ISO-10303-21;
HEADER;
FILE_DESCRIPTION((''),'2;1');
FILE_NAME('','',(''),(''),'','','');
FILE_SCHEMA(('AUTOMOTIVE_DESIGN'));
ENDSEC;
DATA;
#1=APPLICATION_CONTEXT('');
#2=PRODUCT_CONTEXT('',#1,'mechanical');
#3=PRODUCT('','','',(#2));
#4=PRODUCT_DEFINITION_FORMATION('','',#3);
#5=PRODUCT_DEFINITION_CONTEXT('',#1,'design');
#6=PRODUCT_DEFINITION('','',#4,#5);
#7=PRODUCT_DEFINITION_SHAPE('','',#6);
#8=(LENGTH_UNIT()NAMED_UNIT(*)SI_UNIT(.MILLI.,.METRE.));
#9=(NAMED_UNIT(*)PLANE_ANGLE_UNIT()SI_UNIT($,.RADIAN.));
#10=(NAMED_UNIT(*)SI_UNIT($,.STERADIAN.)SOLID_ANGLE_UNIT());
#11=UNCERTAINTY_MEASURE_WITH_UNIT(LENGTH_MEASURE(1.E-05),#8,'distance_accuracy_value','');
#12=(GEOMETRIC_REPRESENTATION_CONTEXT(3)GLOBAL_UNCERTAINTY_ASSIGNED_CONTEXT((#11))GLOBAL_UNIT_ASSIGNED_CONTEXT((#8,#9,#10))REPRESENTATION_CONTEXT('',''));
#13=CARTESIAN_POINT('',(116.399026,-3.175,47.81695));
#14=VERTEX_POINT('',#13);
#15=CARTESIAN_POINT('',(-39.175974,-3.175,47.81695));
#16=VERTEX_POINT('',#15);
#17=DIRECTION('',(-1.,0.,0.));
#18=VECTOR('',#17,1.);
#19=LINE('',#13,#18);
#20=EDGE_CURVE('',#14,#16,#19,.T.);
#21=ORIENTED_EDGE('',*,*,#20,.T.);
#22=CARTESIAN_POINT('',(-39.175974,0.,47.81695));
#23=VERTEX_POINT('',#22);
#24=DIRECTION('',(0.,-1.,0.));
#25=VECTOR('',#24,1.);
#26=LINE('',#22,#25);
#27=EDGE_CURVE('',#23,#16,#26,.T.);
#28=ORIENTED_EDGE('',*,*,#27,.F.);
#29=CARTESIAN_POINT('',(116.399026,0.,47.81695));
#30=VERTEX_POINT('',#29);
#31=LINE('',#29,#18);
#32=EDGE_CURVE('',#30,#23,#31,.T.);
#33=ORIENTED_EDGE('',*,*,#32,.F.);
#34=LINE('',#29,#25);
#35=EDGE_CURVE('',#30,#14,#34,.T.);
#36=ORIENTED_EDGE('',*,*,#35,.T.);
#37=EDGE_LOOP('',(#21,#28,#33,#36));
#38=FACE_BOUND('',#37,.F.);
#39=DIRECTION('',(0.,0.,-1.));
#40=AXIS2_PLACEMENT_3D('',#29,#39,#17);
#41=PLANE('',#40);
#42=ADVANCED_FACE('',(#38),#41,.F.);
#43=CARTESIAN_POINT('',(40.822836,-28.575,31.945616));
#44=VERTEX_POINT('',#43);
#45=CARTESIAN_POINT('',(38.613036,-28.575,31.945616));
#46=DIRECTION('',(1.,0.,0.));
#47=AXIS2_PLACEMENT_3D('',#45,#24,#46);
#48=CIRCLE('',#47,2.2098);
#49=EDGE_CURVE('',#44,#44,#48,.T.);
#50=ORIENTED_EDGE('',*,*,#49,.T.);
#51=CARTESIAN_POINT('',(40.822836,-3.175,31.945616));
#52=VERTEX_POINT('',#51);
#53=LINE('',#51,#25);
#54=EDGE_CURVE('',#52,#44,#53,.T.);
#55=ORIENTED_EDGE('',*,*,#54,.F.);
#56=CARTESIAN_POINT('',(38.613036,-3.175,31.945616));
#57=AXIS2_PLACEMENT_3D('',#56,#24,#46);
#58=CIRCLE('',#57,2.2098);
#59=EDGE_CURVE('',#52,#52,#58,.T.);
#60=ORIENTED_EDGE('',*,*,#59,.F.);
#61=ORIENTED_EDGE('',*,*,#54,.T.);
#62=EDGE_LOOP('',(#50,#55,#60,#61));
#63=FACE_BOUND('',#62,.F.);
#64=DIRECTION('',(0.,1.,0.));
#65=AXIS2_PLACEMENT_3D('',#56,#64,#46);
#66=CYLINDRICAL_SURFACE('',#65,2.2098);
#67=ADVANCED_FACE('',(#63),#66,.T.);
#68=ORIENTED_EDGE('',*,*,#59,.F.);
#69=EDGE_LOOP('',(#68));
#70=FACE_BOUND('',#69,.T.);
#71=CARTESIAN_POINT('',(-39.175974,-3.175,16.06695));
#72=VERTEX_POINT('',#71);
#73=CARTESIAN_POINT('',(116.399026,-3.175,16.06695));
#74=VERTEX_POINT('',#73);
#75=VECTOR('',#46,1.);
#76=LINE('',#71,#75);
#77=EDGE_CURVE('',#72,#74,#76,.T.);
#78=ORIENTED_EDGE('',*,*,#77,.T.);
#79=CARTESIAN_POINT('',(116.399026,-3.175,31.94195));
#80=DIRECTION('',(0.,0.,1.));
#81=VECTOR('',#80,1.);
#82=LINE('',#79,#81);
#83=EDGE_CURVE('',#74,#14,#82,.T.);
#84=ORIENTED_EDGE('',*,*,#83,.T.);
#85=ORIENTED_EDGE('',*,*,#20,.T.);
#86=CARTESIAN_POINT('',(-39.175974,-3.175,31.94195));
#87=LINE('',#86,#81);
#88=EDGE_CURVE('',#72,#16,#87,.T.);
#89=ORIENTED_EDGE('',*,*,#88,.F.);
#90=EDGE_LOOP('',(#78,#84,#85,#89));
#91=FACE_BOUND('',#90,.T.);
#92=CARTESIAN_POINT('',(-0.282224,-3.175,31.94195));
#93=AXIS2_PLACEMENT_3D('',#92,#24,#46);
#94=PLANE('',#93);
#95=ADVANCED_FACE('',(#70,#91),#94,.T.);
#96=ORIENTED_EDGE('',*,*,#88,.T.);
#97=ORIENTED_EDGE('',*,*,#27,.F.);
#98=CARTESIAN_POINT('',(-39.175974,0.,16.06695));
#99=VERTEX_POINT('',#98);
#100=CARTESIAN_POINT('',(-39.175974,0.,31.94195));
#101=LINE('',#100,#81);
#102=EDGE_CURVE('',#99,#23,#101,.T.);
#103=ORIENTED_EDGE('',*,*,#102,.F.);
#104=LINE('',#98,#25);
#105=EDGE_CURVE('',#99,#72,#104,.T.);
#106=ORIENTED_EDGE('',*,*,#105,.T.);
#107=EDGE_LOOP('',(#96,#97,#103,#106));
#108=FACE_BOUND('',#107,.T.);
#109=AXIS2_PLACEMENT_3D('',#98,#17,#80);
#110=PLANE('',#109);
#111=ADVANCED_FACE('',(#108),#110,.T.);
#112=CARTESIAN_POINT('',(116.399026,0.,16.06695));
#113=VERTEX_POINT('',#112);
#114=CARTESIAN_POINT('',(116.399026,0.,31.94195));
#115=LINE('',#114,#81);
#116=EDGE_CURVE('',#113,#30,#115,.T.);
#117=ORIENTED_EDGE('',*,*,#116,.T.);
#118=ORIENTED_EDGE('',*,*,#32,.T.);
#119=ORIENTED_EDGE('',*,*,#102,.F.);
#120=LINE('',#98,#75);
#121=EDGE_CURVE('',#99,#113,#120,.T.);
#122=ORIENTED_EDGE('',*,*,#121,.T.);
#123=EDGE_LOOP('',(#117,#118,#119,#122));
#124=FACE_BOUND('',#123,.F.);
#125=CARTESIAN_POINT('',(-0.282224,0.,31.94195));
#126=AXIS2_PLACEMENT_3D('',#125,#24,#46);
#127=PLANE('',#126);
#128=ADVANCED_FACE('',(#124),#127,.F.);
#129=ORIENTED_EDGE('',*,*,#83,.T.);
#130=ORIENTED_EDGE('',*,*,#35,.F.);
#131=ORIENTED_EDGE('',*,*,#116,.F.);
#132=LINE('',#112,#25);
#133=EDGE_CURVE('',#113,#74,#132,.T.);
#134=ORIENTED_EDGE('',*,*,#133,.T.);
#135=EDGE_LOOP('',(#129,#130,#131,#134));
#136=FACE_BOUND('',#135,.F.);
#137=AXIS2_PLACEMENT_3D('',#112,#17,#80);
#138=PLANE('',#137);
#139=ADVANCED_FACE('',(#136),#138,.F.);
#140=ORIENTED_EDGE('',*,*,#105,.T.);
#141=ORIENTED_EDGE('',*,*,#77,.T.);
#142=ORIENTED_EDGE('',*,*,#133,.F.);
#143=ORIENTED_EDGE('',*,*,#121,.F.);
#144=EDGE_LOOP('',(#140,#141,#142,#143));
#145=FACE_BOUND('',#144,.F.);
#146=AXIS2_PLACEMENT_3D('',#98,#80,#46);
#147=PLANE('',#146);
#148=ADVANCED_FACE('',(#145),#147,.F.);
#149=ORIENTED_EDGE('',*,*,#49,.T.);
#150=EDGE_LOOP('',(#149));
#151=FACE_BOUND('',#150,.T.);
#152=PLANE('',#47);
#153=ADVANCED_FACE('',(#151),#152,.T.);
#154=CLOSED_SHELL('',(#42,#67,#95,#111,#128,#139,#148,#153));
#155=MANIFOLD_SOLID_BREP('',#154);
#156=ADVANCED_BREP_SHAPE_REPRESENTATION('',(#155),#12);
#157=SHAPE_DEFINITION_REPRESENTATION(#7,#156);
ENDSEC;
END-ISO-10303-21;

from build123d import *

# Parameters (mm, degrees)
F0_W     = 77.7875
F0_H     = 31.75
F1_DEPTH = 3.175
F3_R     = 2.2098
F4_DEPTH = 25.4


with BuildPart() as f1:
    # F0 (on Front) → F1 (new body)
    with BuildSketch(Plane.XZ):
        with Locations((-0.282224, 31.94195)):
            Rectangle(F0_W, F0_H)
        with Locations((77.505276, 31.94195)):
            Rectangle(F0_W, F0_H)
    extrude(amount=F1_DEPTH)

    # F3 (on face) → F4 (join)
    with BuildSketch(Plane.XZ.offset(3.175)):
        with Locations((38.613036, 31.945616)):
            Circle(F3_R)
    extrude(amount=F4_DEPTH)


solid = f1.part
